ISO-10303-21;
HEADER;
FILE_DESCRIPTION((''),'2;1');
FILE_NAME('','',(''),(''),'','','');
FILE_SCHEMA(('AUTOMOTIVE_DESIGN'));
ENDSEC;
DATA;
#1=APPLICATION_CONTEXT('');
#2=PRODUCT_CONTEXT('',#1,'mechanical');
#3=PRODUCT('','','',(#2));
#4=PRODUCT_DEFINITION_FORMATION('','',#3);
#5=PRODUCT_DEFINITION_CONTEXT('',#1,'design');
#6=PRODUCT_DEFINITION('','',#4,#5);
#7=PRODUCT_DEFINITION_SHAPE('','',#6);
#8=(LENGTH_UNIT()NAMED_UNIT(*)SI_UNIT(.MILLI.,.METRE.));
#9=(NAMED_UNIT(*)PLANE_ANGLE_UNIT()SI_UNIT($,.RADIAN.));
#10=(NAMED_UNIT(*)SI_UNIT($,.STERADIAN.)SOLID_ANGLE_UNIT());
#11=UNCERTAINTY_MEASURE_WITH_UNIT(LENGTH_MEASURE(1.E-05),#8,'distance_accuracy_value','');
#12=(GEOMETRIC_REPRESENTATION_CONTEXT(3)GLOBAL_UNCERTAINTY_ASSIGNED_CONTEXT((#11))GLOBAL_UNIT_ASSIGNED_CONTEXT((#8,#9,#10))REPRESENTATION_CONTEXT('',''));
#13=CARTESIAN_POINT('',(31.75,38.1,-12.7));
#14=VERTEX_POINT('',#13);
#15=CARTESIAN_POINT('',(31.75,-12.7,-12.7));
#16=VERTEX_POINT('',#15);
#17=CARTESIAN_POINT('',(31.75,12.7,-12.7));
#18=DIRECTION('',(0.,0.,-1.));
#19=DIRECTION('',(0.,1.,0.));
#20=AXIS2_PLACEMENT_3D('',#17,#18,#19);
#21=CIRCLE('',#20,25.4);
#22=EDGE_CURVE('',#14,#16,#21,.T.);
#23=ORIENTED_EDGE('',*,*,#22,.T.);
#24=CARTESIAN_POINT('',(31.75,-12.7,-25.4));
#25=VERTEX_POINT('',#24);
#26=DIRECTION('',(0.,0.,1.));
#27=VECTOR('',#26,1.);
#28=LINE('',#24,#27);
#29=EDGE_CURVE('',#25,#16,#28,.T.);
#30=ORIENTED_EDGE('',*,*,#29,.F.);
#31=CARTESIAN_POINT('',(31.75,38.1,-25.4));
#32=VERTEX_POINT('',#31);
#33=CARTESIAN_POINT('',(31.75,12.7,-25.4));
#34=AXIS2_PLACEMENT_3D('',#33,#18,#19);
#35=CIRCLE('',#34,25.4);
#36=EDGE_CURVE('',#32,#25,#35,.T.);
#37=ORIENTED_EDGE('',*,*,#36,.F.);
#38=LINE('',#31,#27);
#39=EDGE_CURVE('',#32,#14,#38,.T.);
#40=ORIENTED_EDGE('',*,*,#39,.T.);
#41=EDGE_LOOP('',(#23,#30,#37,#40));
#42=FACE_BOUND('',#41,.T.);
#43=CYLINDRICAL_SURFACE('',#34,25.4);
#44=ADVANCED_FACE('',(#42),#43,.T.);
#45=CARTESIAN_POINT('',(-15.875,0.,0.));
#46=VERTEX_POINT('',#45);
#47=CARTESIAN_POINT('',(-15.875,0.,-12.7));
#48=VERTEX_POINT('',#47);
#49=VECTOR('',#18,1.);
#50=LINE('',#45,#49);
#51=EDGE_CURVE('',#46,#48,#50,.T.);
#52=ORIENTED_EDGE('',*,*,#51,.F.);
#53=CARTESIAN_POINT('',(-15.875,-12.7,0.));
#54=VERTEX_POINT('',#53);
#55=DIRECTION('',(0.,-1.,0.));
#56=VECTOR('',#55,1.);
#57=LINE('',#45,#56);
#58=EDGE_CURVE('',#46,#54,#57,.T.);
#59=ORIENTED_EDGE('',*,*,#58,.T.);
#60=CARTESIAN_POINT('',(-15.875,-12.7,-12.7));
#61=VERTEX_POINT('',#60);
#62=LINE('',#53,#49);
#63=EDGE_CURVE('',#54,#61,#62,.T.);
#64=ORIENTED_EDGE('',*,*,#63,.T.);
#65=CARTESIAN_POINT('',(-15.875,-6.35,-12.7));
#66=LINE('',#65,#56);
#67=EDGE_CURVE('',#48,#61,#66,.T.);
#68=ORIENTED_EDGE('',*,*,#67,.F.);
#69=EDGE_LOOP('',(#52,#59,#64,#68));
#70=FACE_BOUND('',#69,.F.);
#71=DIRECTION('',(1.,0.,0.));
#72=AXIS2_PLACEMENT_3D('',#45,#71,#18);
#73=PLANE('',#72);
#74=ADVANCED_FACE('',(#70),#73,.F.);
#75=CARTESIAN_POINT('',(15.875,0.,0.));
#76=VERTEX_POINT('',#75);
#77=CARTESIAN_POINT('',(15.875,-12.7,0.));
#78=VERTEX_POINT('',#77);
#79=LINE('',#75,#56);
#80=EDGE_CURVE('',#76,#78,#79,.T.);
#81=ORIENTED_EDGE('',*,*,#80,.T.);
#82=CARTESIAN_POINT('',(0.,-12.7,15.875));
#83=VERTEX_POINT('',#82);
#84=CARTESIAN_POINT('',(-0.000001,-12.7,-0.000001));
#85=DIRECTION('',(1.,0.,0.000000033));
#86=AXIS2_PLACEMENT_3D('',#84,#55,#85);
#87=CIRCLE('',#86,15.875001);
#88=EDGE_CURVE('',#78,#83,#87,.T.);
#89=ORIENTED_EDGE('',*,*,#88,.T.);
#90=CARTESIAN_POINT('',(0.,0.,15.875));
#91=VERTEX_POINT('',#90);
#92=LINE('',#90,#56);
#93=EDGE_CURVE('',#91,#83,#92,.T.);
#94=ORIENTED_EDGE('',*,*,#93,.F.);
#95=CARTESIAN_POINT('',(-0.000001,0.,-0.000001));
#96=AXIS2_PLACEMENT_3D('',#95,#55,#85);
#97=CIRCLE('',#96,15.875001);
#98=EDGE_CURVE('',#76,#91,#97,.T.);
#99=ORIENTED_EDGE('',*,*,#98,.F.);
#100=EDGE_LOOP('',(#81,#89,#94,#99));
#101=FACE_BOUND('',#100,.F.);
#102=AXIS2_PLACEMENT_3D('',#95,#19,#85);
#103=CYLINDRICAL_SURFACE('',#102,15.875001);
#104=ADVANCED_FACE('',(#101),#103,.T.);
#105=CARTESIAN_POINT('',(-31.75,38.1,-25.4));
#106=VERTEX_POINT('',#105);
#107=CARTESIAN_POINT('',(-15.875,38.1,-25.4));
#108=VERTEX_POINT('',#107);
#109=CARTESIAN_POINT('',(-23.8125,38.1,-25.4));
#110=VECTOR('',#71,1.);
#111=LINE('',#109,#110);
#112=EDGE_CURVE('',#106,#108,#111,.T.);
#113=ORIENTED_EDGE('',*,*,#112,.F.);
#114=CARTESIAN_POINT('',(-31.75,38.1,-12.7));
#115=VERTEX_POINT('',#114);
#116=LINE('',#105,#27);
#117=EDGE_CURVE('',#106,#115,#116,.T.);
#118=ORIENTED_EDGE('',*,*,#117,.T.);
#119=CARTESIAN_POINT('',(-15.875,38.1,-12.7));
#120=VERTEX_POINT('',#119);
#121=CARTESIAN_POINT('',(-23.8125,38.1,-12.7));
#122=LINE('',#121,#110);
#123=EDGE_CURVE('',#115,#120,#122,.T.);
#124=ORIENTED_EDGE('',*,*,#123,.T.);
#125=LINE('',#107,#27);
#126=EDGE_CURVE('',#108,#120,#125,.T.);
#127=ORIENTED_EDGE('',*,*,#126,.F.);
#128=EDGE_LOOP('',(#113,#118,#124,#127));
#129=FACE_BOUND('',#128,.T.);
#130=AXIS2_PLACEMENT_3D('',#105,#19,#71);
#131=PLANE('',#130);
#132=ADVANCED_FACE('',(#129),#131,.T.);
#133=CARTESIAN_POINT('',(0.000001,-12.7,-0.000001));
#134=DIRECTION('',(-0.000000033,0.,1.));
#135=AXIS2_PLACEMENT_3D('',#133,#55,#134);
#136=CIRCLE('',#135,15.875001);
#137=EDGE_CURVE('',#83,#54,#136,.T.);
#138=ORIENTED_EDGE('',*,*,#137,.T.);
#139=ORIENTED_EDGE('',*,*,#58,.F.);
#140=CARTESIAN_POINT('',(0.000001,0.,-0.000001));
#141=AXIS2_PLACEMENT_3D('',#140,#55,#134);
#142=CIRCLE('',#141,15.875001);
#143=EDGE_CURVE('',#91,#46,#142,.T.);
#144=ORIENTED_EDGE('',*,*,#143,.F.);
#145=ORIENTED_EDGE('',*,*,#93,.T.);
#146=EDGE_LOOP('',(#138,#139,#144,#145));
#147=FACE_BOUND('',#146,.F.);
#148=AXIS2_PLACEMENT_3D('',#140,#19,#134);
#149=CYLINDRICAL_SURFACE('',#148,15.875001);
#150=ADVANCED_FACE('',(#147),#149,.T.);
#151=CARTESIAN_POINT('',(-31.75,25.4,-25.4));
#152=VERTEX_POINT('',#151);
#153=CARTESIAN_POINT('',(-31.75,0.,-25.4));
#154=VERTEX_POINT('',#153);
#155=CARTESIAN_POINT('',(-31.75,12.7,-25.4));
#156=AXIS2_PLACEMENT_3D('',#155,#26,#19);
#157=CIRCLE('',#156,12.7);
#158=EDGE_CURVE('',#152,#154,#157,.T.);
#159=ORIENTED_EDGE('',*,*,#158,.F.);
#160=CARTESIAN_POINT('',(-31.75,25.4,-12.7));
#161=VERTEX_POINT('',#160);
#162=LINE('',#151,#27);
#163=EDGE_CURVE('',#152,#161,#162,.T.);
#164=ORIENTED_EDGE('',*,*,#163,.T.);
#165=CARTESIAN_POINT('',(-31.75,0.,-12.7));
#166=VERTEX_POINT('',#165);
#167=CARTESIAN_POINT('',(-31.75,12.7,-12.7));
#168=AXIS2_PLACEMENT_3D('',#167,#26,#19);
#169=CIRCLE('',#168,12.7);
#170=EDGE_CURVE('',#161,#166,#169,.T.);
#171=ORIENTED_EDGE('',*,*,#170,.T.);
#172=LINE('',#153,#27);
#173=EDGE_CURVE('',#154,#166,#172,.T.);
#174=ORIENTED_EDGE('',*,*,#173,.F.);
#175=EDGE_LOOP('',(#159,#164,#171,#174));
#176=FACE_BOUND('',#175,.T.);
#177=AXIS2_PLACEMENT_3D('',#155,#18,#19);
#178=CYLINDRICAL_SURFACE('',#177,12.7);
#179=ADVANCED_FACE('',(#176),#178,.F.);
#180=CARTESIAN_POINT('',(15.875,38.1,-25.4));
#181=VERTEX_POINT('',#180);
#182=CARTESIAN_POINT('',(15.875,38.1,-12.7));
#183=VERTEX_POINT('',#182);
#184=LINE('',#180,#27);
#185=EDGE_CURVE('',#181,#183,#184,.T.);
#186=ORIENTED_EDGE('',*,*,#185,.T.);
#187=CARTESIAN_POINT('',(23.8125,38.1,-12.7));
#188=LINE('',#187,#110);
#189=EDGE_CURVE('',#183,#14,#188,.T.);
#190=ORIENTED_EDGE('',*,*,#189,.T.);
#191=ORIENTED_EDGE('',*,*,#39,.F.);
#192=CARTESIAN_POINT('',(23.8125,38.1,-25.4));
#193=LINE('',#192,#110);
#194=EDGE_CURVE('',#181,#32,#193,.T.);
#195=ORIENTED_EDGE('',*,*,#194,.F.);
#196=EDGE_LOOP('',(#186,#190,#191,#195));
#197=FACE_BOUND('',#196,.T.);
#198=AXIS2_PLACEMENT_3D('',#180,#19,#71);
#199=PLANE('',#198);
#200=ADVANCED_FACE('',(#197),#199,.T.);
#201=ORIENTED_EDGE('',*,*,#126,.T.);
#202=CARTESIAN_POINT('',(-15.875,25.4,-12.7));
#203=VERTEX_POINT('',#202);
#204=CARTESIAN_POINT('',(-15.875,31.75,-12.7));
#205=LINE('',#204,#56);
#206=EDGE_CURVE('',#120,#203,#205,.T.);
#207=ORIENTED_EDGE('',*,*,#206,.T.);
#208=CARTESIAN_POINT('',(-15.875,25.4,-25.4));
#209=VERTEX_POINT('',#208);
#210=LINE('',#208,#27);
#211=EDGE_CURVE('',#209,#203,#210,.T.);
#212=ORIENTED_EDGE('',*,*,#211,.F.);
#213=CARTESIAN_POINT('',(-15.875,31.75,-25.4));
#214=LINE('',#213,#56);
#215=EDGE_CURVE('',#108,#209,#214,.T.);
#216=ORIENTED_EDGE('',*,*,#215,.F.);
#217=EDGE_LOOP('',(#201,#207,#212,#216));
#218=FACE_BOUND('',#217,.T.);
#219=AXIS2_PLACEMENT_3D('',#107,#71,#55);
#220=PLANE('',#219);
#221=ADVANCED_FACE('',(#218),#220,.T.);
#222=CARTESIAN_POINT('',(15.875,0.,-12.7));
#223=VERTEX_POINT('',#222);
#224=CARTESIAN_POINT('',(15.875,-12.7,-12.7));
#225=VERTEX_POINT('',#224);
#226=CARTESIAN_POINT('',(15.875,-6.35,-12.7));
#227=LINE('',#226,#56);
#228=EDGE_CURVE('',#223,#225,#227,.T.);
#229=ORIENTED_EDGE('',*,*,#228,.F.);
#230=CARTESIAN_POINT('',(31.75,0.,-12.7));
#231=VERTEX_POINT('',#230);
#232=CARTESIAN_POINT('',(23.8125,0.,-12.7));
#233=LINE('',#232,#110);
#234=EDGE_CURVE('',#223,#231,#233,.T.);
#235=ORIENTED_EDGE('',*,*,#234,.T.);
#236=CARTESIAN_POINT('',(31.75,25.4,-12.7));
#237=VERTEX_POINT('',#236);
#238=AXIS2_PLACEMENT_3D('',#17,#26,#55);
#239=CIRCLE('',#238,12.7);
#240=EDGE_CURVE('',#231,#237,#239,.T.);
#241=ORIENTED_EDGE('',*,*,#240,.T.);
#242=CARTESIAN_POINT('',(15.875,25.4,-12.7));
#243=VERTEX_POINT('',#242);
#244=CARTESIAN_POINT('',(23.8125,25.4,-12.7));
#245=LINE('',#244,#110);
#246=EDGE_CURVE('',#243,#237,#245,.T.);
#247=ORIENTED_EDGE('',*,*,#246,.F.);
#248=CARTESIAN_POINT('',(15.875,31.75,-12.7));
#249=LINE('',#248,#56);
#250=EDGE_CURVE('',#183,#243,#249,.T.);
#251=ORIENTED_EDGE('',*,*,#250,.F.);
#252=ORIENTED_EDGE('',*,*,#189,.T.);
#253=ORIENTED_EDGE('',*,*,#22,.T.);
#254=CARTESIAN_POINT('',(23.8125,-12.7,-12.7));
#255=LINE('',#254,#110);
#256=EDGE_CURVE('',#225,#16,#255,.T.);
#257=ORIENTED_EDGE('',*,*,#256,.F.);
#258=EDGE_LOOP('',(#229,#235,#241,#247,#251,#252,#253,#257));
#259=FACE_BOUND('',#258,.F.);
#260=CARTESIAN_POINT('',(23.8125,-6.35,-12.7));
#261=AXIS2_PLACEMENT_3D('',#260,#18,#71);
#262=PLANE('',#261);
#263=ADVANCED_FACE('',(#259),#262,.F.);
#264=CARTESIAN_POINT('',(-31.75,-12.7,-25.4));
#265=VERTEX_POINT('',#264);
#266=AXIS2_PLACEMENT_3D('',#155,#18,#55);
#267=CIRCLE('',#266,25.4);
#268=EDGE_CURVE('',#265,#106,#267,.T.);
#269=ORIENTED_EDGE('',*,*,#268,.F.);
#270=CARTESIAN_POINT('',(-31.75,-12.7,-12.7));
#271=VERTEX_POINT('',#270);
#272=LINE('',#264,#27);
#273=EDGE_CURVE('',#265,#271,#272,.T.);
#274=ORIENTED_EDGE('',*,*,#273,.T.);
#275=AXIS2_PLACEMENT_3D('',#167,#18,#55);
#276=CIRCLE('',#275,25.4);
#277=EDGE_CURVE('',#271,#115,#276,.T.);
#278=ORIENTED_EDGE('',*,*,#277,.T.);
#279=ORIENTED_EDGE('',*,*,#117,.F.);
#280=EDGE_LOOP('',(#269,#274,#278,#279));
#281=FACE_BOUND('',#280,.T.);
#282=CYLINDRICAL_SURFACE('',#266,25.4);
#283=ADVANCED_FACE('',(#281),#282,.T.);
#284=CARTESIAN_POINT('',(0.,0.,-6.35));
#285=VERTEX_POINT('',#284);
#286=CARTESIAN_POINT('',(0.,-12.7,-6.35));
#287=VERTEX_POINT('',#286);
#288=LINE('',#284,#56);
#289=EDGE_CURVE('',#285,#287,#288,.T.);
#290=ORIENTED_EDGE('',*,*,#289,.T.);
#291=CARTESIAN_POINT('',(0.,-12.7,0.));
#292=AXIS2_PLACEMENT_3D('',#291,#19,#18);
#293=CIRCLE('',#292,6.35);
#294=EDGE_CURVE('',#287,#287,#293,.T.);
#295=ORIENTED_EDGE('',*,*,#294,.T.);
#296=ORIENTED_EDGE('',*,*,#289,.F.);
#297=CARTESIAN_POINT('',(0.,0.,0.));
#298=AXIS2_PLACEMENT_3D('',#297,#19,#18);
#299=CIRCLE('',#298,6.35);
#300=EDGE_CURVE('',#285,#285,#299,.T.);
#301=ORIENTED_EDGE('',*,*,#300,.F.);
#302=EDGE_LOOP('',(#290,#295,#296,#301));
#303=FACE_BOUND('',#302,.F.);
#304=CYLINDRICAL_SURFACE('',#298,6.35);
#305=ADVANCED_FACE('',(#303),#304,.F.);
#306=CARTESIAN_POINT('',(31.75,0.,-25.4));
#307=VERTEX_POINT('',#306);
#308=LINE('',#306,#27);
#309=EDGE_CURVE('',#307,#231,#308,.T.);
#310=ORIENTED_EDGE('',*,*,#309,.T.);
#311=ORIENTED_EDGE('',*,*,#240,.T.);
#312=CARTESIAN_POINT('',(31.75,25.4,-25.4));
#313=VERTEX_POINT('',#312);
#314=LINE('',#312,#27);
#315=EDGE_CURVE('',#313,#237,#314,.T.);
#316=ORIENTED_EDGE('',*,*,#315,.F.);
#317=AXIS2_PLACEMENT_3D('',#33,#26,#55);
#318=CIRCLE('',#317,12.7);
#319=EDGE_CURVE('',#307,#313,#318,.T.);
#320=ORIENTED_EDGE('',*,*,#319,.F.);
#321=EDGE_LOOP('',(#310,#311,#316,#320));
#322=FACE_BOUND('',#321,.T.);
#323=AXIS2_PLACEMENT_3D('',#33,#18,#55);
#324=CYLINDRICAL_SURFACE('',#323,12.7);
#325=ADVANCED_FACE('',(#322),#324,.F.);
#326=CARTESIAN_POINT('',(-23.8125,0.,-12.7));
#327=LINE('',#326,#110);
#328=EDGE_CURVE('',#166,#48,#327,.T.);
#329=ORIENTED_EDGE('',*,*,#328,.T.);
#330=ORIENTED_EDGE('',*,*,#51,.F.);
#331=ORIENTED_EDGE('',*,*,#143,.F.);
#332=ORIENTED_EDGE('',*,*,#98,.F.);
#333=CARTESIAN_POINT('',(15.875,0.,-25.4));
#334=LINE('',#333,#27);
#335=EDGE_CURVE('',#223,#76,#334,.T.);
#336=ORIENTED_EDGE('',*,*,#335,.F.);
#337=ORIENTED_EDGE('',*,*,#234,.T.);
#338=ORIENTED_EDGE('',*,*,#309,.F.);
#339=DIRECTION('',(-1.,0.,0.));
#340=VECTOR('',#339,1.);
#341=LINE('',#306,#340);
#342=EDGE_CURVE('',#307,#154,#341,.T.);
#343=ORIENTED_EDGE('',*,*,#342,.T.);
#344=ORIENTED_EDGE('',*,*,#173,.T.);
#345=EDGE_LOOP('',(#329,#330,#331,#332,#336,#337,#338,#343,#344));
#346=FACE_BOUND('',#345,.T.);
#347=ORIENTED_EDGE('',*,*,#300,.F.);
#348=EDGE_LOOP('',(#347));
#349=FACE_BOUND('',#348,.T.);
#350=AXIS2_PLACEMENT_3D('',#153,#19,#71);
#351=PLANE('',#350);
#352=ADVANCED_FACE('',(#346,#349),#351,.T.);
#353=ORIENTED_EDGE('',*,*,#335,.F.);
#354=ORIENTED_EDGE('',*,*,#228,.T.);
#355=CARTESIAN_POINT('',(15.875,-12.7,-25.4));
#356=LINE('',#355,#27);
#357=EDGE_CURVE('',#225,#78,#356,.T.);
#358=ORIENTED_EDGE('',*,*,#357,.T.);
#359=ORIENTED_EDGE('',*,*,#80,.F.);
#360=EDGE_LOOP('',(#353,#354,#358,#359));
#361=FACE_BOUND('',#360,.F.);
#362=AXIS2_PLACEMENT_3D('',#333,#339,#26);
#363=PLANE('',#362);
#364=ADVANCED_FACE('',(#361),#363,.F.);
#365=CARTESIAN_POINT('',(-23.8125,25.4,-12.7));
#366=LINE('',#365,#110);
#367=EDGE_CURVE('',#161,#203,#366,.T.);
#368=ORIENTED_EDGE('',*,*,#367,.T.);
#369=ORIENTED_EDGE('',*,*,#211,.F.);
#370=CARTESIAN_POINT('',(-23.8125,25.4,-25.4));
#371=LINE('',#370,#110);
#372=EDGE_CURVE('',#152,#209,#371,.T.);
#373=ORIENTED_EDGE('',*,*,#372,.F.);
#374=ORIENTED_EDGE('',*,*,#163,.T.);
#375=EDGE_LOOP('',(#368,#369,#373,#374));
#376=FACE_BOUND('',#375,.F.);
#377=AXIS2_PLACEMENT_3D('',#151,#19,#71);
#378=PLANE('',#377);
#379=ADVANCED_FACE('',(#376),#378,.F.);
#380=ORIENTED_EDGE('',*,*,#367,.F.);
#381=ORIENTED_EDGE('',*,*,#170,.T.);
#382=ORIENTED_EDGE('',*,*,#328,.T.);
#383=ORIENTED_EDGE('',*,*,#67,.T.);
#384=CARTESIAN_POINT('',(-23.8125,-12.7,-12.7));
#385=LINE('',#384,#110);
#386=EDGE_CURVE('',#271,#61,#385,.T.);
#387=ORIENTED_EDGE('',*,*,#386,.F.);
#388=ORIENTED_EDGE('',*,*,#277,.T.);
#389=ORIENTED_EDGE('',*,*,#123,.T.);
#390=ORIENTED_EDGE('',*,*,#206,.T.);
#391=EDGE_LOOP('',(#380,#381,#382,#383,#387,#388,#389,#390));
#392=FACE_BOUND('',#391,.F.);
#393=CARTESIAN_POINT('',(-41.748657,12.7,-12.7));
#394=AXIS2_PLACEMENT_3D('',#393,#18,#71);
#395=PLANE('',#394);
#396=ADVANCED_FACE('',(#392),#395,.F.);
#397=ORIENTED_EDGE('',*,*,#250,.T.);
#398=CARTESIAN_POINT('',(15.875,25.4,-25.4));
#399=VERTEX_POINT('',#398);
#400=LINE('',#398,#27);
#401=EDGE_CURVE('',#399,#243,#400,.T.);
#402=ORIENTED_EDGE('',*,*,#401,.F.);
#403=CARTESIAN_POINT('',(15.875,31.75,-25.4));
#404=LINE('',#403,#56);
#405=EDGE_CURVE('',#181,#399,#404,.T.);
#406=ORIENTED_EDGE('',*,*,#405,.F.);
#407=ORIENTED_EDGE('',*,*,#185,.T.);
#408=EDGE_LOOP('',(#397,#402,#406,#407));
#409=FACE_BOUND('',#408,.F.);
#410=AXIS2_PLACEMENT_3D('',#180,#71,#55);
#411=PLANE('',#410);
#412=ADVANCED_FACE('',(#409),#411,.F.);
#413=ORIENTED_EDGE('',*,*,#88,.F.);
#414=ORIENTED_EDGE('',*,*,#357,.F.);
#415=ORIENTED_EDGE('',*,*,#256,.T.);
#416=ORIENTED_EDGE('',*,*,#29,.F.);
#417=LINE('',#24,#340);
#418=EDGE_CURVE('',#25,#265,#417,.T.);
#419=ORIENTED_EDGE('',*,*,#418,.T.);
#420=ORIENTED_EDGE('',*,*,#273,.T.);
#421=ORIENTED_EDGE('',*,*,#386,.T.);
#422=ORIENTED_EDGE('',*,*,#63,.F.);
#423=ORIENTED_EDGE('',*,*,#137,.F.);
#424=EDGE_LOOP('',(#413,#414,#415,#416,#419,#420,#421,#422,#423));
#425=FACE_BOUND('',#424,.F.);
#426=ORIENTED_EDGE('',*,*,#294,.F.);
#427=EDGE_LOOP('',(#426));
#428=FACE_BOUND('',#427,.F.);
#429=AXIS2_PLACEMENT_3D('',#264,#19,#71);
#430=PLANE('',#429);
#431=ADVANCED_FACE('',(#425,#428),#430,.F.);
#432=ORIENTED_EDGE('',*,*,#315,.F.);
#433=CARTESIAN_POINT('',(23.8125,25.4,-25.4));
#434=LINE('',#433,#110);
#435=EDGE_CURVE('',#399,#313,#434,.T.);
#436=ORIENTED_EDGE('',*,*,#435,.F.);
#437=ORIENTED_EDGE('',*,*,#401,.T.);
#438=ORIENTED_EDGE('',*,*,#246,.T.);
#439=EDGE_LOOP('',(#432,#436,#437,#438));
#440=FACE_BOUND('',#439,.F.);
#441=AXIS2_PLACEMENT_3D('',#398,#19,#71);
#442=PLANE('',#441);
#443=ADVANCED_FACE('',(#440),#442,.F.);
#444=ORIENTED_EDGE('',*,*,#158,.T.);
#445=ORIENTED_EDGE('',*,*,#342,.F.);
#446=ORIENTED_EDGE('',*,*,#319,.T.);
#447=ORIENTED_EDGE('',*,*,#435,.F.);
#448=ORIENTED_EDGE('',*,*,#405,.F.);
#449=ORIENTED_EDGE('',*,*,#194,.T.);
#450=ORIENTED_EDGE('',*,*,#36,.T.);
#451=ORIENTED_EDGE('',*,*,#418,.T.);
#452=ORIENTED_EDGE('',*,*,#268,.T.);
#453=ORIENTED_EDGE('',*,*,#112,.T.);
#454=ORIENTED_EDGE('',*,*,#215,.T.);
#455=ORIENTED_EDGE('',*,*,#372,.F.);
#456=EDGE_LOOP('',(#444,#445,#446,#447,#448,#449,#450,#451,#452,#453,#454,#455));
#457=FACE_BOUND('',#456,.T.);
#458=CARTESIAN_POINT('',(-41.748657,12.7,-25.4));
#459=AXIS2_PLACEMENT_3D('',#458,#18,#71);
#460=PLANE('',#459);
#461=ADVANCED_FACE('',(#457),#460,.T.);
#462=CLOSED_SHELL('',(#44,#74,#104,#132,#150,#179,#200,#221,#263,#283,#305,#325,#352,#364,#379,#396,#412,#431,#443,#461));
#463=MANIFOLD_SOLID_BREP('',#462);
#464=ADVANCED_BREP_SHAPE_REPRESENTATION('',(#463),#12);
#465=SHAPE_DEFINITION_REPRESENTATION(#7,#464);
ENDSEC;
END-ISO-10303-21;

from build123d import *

# Parameters (mm, degrees)
F1_DEPTH = 12.7
F2_W     = 15.875
F2_H     = 12.7
F3_DEPTH = 12.7


with BuildPart() as f1:
    # F0 (on Front) → F1 (new body)
    with BuildSketch(Plane.XZ):
        with BuildLine():
            Line((15.875, -25.4), (15.875, 0))
            ThreePointArc((15.875, 0), (11.22532, 11.22532), (0, 15.875))
            ThreePointArc((0, 15.875), (-11.22532, 11.22532), (-15.875, 0))
            Line((-15.875, 0), (-15.875, -25.4))
            Line((-15.875, -25.4), (0, -25.4))
            Line((0, -25.4), (15.875, -25.4))
        make_face()
        with BuildLine():
            ThreePointArc((0, 6.35), (6.35, 0), (0, -6.35))
            ThreePointArc((0, -6.35), (-6.35, 0), (0, 6.35))
        make_face(mode=Mode.SUBTRACT)
    extrude(amount=F1_DEPTH)

    # F2 (on face) → F3 (join)
    with BuildSketch(Plane(origin=(0, 0, -25.4), x_dir=(1, 0, 0), z_dir=(0, 0, -1))):
        with BuildLine():
            ThreePointArc((-31.75, -25.4), (-44.45, -12.7), (-31.75, 0))
            Line((-31.75, 0), (-31.75, 12.7))
            ThreePointArc((-31.75, 12.7), (-57.15, -12.7), (-31.75, -38.1))
            Line((-31.75, -38.1), (-31.75, -25.4))
        make_face()
        with Locations((-23.8125, 6.35)):
            Rectangle(F2_W, F2_H)
        with Locations((-23.8125, -31.75)):
            Rectangle(F2_W, F2_H)
        with Locations((23.8125, 6.35)):
            Rectangle(F2_W, F2_H)
        with BuildLine():
            Line((31.75, 12.7), (31.75, 0))
            ThreePointArc((31.75, 0), (44.45, -12.7), (31.75, -25.4))
            Line((31.75, -25.4), (31.75, -38.1))
            ThreePointArc((31.75, -38.1), (57.15, -12.7), (31.75, 12.7))
        make_face()
        with Locations((23.8125, -31.75)):
            Rectangle(F2_W, F2_H)
    extrude(amount=-F3_DEPTH)


solid = f1.part
